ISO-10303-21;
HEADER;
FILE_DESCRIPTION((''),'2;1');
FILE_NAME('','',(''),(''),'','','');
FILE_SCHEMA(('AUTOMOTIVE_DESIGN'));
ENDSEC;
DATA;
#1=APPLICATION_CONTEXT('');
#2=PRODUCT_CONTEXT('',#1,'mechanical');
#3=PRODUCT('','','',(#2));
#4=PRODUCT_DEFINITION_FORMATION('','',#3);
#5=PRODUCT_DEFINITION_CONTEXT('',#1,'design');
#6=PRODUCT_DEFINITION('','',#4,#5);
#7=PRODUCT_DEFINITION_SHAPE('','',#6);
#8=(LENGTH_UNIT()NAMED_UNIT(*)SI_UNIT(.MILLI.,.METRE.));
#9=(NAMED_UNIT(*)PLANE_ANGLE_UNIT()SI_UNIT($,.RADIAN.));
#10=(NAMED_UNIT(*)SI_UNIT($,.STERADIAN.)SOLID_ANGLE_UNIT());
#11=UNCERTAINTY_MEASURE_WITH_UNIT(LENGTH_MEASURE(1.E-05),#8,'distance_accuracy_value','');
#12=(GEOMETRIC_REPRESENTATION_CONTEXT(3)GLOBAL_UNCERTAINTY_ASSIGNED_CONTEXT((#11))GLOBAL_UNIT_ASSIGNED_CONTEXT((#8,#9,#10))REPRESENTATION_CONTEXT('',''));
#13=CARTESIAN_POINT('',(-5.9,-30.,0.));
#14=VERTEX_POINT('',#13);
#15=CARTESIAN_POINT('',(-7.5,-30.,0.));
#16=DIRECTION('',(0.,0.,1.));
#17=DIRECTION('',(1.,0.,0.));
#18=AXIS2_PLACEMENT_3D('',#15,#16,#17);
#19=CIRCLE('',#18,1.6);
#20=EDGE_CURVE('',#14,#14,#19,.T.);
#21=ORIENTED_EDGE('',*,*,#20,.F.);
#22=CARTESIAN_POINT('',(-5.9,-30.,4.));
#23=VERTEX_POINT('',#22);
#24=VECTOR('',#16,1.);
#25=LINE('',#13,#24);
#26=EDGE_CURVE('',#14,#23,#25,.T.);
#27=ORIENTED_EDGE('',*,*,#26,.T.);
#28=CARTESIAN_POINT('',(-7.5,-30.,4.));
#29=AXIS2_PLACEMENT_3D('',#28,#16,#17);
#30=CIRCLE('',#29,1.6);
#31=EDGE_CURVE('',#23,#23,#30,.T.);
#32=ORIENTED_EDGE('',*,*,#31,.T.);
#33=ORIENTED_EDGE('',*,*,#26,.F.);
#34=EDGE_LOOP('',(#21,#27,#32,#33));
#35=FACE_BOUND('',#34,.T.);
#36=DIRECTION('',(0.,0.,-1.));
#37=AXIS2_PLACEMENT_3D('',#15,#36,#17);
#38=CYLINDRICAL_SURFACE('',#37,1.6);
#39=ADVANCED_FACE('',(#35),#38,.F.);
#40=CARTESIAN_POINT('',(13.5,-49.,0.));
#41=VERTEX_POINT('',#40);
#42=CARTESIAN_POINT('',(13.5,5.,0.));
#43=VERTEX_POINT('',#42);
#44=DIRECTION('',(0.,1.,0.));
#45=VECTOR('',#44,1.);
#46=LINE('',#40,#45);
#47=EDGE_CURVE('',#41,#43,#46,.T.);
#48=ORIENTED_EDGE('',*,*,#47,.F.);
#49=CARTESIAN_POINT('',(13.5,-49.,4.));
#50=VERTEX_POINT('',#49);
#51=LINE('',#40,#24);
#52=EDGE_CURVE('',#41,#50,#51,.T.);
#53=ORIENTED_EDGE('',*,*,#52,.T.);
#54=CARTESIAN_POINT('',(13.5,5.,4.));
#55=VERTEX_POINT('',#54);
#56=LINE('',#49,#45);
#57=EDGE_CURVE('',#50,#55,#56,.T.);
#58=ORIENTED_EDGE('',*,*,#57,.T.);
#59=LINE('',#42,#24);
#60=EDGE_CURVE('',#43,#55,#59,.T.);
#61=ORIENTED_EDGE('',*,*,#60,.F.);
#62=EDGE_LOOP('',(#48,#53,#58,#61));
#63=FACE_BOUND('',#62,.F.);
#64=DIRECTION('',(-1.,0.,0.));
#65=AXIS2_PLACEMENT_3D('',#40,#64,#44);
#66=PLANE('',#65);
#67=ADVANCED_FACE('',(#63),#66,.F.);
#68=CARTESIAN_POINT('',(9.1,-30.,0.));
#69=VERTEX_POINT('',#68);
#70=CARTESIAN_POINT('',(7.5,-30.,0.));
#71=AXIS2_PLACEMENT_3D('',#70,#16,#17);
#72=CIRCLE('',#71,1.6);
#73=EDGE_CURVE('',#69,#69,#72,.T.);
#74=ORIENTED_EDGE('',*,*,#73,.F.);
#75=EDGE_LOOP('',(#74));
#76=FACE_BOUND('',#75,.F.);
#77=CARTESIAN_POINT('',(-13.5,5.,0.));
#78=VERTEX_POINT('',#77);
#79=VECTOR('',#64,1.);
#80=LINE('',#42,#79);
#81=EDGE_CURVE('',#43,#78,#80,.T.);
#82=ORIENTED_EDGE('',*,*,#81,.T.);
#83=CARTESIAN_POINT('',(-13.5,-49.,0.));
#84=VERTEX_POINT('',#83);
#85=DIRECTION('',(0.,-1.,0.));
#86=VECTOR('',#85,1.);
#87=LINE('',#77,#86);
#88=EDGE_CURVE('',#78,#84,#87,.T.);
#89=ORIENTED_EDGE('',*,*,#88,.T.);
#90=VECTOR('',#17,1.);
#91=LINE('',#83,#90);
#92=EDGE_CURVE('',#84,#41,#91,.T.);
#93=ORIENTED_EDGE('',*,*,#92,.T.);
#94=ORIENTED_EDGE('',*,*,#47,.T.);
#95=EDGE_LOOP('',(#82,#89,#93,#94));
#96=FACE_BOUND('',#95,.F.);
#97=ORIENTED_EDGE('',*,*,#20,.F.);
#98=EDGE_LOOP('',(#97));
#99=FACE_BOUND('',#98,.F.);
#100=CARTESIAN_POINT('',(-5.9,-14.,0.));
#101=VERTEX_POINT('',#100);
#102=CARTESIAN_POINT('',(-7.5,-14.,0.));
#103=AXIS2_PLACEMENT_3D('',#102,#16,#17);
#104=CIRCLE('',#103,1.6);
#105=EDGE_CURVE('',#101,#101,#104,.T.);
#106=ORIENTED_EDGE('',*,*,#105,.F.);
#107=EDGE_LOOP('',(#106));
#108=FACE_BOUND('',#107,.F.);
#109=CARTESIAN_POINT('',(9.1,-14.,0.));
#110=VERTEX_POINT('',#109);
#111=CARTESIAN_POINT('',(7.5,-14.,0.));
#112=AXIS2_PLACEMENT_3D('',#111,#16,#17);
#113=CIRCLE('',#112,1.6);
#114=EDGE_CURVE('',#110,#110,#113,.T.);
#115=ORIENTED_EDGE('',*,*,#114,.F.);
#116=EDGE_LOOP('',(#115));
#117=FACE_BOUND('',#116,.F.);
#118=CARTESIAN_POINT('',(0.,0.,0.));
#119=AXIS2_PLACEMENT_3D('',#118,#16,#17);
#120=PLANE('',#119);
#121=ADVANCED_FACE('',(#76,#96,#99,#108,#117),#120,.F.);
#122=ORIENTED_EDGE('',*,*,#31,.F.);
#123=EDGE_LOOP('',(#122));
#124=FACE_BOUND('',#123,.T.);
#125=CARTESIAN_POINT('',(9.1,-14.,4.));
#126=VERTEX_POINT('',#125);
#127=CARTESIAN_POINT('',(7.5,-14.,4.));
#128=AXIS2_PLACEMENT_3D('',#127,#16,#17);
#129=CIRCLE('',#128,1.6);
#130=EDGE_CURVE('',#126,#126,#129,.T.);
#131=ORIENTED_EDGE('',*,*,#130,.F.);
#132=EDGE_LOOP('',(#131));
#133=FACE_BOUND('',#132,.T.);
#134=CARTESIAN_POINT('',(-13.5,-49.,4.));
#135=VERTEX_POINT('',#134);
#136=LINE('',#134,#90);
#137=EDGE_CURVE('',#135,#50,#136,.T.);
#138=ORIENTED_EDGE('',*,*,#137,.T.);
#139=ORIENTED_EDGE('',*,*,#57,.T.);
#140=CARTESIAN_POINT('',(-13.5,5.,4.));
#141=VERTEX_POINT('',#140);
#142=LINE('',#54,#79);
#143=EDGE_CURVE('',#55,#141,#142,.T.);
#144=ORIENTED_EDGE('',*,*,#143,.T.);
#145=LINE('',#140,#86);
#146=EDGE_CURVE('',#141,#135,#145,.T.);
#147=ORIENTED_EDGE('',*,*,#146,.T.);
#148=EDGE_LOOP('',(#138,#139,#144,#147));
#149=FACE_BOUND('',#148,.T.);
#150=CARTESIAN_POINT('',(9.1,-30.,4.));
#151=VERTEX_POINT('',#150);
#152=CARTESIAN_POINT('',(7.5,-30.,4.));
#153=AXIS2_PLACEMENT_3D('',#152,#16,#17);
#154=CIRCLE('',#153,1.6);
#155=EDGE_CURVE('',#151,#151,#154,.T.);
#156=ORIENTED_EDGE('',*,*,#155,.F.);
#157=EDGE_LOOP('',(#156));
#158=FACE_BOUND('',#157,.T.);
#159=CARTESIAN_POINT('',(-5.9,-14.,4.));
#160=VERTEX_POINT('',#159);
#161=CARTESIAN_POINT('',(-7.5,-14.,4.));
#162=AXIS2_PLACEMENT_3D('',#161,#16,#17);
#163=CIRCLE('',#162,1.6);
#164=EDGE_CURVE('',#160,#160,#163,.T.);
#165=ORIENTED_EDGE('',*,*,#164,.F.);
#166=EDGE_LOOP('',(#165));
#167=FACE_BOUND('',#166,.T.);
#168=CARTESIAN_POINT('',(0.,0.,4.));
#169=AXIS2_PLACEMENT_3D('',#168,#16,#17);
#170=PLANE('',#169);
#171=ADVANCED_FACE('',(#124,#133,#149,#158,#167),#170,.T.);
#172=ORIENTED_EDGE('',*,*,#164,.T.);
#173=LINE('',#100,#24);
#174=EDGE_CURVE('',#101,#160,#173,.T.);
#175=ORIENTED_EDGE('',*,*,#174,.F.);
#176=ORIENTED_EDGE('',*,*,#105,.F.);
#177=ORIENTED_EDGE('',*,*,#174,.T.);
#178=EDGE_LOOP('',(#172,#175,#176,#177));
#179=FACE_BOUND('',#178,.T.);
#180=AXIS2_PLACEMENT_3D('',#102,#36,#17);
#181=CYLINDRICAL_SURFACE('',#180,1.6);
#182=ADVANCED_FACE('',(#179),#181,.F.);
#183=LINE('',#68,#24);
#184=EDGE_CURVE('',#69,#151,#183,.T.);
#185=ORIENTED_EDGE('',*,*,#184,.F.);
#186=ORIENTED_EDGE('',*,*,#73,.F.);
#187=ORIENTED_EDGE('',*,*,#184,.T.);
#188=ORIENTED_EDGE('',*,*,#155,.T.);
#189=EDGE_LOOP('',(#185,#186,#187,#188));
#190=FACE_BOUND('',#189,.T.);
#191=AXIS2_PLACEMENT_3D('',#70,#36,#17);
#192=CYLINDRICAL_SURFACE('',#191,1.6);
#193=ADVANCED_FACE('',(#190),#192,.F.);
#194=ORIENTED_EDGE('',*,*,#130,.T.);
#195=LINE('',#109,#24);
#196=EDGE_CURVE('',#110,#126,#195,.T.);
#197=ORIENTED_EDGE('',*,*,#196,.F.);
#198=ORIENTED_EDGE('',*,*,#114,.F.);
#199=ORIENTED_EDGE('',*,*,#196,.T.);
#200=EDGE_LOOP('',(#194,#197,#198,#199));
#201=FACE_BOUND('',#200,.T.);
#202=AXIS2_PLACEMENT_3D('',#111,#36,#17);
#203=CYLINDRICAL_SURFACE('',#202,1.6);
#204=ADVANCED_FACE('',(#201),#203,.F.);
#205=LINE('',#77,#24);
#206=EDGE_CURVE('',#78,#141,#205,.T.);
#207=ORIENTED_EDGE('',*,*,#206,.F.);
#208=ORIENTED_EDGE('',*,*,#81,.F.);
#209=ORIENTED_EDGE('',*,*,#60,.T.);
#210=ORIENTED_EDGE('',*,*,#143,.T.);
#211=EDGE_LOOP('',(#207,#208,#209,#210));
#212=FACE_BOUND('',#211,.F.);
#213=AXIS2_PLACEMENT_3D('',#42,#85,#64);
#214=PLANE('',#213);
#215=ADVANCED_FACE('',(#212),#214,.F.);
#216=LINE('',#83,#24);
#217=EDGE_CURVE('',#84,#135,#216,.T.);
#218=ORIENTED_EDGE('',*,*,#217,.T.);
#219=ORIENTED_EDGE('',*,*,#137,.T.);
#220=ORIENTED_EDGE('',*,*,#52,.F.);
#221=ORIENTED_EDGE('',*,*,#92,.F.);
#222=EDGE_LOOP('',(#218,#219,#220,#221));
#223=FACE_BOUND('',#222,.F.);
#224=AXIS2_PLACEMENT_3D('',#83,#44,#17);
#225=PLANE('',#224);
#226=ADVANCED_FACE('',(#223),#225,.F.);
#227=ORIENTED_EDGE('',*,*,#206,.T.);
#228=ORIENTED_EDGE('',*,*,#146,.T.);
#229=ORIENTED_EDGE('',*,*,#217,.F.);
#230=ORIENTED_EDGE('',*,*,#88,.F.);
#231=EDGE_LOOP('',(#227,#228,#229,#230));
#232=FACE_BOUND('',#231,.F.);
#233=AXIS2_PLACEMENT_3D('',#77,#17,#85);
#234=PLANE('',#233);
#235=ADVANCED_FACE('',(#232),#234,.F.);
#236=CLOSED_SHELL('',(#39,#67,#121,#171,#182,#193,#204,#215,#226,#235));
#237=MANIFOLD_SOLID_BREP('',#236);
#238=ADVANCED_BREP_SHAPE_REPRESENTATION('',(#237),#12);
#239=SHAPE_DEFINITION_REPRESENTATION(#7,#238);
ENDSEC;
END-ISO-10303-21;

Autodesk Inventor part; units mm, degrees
ref_plane "YZ Plane" through (0, 0, 0) normal (1, 0, 0) x (0, 1, 0)
ref_plane "XZ Plane" through (0, 0, 0) normal (0, 1, 0) x (-1, 0, 0)
ref_plane "XY Plane" through (0, 0, 0) normal (0, 0, 1) x (1, 0, 0)
sketch "Эскиз1" plane through (0, 0, 0) normal (0, 0, 1) x (1, 0, 0)
  line L0 (-13.5, -49) -> (13.5, -49) projected
  line L1 (13.5, -49) -> (13.5, 5) projected
  line L2 (13.5, 5) -> (-13.5, 5) projected
  line L3 (-13.5, 5) -> (-13.5, -49) projected
  circle A0 centre (-7.5, -30) radius 1.6 projected
  circle A1 centre (7.5, -30) radius 1.6 projected
  circle A2 centre (7.5, -14) radius 1.6 projected
  circle A3 centre (-7.5, -14) radius 1.6 projected
  point P0 (0, 0)
extrude "Выдавливание1" add sketch "Эскиз1" along normal blind 4
properties part number "фанера_креп_маркера"
